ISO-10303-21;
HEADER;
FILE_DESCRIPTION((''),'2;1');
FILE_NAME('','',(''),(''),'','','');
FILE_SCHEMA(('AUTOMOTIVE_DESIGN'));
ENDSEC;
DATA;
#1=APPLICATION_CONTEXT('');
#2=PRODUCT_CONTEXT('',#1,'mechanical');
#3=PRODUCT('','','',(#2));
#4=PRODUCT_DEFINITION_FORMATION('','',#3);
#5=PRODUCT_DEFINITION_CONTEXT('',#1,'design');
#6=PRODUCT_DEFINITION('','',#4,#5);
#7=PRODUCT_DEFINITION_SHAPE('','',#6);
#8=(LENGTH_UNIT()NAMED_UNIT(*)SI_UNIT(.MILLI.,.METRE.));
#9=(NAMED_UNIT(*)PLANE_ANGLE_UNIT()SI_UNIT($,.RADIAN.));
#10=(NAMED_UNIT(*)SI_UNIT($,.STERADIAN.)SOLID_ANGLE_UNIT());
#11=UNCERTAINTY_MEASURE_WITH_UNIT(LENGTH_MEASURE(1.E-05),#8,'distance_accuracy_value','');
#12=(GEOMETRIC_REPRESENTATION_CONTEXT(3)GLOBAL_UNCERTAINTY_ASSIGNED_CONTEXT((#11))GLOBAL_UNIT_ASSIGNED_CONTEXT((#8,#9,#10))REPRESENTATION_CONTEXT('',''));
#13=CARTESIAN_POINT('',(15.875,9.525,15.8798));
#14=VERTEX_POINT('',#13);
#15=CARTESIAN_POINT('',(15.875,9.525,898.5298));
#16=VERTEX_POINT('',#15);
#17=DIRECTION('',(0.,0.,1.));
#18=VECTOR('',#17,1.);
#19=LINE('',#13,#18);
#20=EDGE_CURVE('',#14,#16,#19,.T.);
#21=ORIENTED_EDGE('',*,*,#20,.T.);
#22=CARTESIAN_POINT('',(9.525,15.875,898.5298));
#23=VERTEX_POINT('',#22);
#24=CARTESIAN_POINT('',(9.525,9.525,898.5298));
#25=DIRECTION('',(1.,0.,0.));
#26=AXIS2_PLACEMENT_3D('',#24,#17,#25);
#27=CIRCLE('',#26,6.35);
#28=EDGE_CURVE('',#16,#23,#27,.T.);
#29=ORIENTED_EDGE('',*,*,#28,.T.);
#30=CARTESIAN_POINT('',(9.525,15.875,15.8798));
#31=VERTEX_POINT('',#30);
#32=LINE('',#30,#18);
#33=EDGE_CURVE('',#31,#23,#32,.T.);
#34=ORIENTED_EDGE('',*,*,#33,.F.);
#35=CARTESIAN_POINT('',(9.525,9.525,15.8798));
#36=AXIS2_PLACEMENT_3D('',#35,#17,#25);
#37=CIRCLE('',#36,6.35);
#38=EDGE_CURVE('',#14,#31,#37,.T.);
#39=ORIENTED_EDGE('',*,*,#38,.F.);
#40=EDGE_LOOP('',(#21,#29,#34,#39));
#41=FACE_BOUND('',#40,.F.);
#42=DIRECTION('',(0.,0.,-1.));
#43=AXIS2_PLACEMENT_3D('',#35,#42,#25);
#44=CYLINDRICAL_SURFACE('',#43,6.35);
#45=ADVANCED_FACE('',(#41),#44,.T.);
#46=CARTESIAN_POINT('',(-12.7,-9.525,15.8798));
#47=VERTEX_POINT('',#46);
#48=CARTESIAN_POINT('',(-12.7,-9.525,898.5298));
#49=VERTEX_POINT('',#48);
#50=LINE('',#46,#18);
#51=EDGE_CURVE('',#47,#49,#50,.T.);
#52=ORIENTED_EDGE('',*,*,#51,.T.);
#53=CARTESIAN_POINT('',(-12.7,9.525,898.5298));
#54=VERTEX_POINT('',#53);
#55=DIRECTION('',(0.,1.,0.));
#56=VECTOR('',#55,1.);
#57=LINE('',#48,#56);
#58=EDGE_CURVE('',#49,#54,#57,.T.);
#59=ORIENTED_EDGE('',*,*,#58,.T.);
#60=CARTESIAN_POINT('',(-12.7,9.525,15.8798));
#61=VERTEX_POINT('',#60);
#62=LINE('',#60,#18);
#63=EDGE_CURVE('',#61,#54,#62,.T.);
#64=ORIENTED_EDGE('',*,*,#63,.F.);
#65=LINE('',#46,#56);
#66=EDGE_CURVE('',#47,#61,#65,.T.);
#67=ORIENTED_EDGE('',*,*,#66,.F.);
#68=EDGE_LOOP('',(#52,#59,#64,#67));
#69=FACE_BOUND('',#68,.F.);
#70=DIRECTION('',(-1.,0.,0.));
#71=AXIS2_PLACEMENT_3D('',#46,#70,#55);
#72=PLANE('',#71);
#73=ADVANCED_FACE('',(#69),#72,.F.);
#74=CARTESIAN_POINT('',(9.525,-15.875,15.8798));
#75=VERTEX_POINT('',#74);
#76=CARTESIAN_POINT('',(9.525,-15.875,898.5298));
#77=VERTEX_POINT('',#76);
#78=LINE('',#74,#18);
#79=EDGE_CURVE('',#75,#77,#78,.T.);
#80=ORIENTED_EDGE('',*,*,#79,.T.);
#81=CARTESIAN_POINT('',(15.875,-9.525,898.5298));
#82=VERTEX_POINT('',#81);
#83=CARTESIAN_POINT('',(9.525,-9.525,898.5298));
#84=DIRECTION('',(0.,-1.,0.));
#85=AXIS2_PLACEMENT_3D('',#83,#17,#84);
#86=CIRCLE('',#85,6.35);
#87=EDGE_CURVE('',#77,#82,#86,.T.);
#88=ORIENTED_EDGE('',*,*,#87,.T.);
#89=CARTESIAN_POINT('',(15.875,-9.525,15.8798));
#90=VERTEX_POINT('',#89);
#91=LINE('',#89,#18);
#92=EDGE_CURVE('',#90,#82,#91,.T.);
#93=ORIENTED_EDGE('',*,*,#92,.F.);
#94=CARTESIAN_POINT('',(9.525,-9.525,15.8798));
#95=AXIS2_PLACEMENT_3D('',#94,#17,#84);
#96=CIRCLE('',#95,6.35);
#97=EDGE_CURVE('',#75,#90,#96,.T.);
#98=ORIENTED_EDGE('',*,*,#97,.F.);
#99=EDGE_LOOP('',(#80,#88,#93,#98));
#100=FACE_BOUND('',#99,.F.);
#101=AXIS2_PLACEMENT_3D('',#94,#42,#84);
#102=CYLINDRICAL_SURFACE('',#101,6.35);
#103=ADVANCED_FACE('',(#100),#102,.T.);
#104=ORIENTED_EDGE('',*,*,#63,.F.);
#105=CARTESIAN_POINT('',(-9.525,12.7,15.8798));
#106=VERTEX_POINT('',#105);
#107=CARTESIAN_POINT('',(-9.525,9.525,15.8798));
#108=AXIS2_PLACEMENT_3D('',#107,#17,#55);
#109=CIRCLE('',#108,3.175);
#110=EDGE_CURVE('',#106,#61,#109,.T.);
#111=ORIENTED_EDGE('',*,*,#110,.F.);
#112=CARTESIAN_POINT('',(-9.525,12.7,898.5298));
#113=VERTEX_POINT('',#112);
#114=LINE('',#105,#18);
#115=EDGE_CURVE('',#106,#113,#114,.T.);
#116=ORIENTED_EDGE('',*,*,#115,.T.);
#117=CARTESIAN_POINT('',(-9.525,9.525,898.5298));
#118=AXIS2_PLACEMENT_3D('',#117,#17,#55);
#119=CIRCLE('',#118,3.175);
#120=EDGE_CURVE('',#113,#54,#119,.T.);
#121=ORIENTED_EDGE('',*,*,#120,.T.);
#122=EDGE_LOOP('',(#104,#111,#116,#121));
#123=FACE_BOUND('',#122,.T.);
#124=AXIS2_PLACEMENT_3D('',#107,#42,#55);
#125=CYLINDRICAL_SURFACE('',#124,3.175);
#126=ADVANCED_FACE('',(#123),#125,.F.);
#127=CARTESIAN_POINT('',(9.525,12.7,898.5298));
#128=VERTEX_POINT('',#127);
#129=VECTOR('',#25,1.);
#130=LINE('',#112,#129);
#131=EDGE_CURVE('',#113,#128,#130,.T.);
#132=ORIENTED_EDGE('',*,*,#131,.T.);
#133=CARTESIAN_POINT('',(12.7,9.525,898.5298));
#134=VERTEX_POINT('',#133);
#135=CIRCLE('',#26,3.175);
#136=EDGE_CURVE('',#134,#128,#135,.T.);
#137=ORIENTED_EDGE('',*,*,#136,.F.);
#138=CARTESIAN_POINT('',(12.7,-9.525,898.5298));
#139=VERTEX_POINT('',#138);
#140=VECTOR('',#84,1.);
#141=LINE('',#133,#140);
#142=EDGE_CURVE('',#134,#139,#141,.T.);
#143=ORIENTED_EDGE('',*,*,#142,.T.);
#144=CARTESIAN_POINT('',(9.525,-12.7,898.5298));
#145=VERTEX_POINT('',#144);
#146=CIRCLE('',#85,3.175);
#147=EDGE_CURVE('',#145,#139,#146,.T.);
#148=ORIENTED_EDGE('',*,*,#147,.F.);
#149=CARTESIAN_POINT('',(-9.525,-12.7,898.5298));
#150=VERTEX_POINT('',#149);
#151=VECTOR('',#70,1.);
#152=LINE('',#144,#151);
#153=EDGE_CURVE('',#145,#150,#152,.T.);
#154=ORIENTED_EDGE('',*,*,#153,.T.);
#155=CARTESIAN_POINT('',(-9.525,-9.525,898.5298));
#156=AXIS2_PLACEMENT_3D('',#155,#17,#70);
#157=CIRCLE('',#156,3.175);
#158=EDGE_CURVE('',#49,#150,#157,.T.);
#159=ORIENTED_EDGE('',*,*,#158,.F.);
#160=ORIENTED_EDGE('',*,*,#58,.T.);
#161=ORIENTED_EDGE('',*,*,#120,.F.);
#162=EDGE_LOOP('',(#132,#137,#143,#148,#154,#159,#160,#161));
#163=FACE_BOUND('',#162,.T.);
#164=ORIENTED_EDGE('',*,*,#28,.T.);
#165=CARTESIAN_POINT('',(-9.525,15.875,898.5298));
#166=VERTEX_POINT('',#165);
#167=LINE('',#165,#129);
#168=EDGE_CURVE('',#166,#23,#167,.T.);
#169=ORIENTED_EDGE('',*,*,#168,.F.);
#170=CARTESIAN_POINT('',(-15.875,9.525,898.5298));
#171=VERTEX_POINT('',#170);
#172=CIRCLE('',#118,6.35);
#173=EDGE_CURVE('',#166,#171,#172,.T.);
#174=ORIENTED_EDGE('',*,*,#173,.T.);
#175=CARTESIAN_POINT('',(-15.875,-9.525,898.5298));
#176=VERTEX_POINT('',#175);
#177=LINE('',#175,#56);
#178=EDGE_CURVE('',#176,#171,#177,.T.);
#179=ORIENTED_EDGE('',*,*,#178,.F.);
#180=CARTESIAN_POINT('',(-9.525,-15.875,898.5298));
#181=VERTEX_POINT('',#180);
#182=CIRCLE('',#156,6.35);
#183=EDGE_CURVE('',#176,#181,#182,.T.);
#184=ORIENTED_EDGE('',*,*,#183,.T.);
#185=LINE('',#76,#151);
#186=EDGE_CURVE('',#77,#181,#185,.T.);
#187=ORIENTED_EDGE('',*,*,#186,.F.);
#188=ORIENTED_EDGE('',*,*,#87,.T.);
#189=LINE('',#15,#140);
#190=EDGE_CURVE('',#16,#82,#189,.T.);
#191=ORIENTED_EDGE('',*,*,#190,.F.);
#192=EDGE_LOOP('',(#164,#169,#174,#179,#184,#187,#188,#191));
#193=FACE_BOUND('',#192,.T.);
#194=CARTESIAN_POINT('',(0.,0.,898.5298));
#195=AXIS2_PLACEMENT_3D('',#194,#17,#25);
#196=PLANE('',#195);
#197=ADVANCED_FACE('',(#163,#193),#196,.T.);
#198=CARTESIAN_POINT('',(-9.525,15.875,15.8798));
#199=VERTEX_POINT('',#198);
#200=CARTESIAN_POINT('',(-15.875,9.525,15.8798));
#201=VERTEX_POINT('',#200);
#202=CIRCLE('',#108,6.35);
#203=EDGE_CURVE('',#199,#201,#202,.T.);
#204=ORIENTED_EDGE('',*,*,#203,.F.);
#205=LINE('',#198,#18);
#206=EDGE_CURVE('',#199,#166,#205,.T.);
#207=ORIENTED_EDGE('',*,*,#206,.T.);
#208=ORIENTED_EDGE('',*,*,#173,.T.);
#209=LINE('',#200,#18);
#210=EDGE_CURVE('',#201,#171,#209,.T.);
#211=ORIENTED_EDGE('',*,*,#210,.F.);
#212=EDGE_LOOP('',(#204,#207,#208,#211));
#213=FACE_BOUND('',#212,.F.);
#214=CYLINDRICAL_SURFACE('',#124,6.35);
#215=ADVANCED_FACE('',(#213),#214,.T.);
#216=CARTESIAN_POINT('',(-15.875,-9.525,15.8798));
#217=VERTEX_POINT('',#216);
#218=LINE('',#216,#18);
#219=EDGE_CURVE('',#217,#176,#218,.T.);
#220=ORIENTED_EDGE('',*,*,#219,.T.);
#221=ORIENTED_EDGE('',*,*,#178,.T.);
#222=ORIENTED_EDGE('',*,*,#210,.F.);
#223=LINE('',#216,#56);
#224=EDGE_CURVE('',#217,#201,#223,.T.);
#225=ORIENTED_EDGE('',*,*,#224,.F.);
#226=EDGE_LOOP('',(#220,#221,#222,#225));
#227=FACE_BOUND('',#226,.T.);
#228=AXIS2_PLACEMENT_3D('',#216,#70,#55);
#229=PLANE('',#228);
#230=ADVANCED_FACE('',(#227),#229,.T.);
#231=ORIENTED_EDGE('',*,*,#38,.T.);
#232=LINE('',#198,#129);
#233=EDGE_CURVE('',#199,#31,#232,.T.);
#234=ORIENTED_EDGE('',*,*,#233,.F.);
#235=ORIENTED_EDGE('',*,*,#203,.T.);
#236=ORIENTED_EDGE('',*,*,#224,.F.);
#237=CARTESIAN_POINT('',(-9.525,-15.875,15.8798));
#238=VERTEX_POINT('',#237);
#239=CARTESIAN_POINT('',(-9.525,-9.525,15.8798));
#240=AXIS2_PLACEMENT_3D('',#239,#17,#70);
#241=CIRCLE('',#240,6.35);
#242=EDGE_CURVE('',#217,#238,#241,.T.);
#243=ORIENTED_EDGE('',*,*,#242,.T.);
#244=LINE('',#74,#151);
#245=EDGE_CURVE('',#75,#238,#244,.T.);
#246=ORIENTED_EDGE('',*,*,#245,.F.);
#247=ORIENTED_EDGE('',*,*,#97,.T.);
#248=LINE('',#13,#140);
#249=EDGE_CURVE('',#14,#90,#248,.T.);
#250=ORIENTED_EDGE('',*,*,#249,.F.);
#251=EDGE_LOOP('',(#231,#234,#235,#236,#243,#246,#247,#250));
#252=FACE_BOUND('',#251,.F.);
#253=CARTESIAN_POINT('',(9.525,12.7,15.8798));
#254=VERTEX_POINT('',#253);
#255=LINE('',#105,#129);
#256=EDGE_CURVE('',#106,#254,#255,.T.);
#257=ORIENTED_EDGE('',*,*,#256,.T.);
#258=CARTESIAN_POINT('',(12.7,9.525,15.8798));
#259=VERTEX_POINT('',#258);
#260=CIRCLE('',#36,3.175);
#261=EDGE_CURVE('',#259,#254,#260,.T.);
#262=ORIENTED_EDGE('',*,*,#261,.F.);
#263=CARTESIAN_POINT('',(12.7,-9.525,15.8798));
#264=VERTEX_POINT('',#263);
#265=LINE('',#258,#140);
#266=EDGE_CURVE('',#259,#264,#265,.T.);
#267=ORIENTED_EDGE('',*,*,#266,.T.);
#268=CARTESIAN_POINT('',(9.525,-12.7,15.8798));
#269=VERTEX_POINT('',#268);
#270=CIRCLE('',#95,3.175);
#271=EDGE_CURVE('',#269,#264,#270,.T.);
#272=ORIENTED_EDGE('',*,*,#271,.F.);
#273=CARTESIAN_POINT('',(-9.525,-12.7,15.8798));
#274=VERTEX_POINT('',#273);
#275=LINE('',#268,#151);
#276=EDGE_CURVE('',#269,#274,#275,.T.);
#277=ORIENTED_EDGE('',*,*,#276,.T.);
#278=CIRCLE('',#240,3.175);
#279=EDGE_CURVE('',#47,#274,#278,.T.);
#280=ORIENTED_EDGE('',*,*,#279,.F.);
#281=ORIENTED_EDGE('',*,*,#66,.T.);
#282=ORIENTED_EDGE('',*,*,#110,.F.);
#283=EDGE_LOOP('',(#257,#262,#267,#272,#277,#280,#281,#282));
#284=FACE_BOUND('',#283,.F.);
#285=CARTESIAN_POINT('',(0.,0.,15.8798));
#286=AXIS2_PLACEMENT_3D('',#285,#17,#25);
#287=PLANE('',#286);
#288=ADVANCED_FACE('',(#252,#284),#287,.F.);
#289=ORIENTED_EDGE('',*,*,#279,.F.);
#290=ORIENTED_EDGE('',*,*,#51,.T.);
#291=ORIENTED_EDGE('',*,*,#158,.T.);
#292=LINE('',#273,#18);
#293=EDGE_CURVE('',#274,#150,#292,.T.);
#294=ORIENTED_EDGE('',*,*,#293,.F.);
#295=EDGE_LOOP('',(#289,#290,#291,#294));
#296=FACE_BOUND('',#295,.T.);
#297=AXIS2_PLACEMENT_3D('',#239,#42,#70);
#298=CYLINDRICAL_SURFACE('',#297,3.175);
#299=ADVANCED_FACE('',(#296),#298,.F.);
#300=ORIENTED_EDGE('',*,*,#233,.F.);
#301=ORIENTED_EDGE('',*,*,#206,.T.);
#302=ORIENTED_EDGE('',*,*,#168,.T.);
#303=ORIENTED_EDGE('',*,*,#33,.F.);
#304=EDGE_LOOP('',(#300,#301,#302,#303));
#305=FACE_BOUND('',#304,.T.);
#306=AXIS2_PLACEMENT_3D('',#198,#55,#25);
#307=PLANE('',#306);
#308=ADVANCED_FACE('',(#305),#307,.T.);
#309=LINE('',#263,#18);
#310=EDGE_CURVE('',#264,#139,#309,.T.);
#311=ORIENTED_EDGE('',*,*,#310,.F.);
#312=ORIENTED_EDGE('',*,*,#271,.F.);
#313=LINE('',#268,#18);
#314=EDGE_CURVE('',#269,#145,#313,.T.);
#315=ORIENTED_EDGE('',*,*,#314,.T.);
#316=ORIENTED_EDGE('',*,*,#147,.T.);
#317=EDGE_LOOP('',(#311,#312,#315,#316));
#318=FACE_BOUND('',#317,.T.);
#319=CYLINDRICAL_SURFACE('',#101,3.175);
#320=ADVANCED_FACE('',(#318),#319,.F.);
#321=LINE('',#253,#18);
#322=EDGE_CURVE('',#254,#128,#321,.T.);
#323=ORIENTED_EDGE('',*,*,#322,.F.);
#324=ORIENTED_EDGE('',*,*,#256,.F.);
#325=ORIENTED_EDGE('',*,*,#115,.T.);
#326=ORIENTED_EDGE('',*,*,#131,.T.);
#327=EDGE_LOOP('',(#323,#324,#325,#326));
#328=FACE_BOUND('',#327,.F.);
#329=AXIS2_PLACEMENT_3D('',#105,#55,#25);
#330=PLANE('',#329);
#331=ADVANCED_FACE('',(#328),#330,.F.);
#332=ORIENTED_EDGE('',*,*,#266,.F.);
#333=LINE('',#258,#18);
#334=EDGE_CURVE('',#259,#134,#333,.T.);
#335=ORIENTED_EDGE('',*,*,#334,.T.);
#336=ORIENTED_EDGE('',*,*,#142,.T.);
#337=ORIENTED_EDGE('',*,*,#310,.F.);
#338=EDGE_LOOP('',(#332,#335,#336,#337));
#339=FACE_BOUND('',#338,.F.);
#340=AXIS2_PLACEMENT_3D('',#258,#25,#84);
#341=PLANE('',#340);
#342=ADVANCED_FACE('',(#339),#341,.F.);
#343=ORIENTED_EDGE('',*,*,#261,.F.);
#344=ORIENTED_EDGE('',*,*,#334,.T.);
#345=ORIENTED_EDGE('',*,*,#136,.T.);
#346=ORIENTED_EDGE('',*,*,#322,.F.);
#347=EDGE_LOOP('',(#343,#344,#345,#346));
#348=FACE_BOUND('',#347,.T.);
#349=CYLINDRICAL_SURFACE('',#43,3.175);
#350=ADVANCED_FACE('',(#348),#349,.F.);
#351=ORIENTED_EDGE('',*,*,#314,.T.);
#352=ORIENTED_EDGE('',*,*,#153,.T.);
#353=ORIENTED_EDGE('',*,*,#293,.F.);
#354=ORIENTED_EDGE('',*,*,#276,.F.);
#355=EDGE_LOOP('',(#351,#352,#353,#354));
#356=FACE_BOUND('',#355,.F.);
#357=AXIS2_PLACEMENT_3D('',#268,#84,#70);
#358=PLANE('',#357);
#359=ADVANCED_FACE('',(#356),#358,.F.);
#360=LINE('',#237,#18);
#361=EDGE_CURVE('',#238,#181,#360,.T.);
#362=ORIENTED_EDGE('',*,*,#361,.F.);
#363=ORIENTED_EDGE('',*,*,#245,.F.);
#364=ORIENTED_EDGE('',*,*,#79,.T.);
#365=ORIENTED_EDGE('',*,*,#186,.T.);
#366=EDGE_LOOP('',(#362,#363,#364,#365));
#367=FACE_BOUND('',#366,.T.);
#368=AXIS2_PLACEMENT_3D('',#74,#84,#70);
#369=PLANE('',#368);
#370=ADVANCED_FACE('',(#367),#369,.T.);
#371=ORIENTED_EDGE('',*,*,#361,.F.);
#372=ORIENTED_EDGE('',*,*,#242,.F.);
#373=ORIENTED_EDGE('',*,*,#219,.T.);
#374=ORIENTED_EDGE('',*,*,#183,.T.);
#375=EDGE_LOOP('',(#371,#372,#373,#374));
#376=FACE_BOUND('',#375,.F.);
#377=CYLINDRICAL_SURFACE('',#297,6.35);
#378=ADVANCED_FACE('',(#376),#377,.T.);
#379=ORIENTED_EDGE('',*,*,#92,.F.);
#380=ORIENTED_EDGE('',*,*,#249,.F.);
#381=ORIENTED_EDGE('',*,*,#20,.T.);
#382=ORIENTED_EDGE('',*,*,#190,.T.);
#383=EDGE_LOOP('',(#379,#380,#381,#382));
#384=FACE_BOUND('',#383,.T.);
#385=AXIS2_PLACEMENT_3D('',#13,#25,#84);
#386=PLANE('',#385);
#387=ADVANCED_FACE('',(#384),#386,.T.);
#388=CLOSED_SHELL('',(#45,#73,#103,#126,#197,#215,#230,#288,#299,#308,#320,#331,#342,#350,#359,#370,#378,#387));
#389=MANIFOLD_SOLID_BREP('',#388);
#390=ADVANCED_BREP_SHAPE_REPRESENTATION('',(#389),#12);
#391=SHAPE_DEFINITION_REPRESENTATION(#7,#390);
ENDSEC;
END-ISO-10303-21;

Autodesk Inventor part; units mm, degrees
ref_plane "Start plane" through (0, 0, 15.8798) normal (0, 0, 1) x (1, 0, 0)
ref_plane "End plane" through (0, 0, 898.5298) normal (0, 0, 1) x (1, 0, 0)
sketch "Sketch" plane through (0, 0, 0) normal (0, 0, 1) x (1, 0, 0)
  line L0 (-15.875, -9.525) -> (-15.875, 9.525)
  line L1 (-9.525, 15.875) -> (9.525, 15.875)
  line L2 (15.875, 9.525) -> (15.875, -9.525)
  line L3 (9.525, -15.875) -> (-9.525, -15.875)
  arc A0 (-15.875, -9.525) -> (-9.525, -15.875) centre (-9.525, -9.525) ccw
  arc A1 (-9.525, 15.875) -> (-15.875, 9.525) centre (-9.525, 9.525) ccw
  arc A2 (15.875, 9.525) -> (9.525, 15.875) centre (9.525, 9.525) ccw
  arc A3 (9.525, -15.875) -> (15.875, -9.525) centre (9.525, -9.525) ccw
  arc A4 (-9.525, 12.7) -> (-12.7, 9.525) centre (-9.525, 9.525) ccw
  line L4 (-9.525, 12.7) -> (9.525, 12.7)
  arc A5 (12.7, 9.525) -> (9.525, 12.7) centre (9.525, 9.525) ccw
  line L5 (12.7, 9.525) -> (12.7, -9.525)
  arc A6 (9.525, -12.7) -> (12.7, -9.525) centre (9.525, -9.525) ccw
  line L6 (9.525, -12.7) -> (-9.525, -12.7)
  arc A7 (-12.7, -9.525) -> (-9.525, -12.7) centre (-9.525, -9.525) ccw
  line L7 (-12.7, -9.525) -> (-12.7, 9.525)
  line L8 (0, 24.0662) -> (0, -24.0662) construction
  line L9 (-24.0662, 0) -> (24.0662, 0) construction
  dimension "d10" = 31.75
  dimension "d11" = 31.75
  dimension "d12" = 3.175
  dimension "d15" = 15.875
  dimension "d16" = 15.875
  dimension "d17" = 6.35
extrude "Body" add sketch "Sketch" along normal up to surface (882.65 mm away) from surface at 15.8798
sketch "Sketch3" plane through (0, 0, 0) normal (0, 0, 1) x (1, 0, 0)
  line L0 (0, 0) -> (10, 0)
ref_plane "Work Plane3" through (0, 0, 0) normal (0, -1, 0) x (1, 0, 0)
sketch "Sketch4" plane through (0, 0, 0) normal (0, -1, 0) x (1, 0, 0)
  line L0 (-2, 15.8798) -> (12, 15.8798)
  line L1 (-2, 898.5298) -> (12, 898.5298)
  dimension "d19" = 882.65
ref_plane "Work Plane4" through (-9.5404, 101.5983, 15.8798) normal (0, 0, -1) x (-1, 0, 0)
split "Split1" plane through (-9.5404, 101.5983, 15.8798) removes the side toward (0, 0, -1)
ref_plane "Work Plane5" through (-9.5404, -508.0017, 898.5298) normal (0, 0, 1) x (1, 0, 0)
split "Split2" plane through (-9.5404, -508.0017, 898.5298) removes the side toward (0, 0, 1)
equation "\"d10\" = G_H"
equation "\"d11\" = G_W"
equation "\"d12\" = G_T"
equation "\"d15\" = 0.5 * d10"
equation "\"d16\" = 0.5 * d11"
equation "\"d17\" = G_IR"
equation "\"d3\" = G_L"
equation "\"G_W\" = 31.75"
equation "\"G_H\" = 31.75"
equation "\"G_T\" = 3.175"
equation "\"G_IR\" = 6.35"
equation "\"G_L\" = d19"
equation "\"G_OFFSET_START\" = -15.87983"
equation "\"G_OFFSET_END\" = -15.87017"
equation "\"d13\" = -G_OFFSET_START"
equation "\"d14\" = G_OFFSET_END + B_L"
equation "\"B_L\" = 914.4"
properties part number "AISC HSS - 1-1/4x1-1/4x1/8 - 34.75" material "Steel, Mild"
